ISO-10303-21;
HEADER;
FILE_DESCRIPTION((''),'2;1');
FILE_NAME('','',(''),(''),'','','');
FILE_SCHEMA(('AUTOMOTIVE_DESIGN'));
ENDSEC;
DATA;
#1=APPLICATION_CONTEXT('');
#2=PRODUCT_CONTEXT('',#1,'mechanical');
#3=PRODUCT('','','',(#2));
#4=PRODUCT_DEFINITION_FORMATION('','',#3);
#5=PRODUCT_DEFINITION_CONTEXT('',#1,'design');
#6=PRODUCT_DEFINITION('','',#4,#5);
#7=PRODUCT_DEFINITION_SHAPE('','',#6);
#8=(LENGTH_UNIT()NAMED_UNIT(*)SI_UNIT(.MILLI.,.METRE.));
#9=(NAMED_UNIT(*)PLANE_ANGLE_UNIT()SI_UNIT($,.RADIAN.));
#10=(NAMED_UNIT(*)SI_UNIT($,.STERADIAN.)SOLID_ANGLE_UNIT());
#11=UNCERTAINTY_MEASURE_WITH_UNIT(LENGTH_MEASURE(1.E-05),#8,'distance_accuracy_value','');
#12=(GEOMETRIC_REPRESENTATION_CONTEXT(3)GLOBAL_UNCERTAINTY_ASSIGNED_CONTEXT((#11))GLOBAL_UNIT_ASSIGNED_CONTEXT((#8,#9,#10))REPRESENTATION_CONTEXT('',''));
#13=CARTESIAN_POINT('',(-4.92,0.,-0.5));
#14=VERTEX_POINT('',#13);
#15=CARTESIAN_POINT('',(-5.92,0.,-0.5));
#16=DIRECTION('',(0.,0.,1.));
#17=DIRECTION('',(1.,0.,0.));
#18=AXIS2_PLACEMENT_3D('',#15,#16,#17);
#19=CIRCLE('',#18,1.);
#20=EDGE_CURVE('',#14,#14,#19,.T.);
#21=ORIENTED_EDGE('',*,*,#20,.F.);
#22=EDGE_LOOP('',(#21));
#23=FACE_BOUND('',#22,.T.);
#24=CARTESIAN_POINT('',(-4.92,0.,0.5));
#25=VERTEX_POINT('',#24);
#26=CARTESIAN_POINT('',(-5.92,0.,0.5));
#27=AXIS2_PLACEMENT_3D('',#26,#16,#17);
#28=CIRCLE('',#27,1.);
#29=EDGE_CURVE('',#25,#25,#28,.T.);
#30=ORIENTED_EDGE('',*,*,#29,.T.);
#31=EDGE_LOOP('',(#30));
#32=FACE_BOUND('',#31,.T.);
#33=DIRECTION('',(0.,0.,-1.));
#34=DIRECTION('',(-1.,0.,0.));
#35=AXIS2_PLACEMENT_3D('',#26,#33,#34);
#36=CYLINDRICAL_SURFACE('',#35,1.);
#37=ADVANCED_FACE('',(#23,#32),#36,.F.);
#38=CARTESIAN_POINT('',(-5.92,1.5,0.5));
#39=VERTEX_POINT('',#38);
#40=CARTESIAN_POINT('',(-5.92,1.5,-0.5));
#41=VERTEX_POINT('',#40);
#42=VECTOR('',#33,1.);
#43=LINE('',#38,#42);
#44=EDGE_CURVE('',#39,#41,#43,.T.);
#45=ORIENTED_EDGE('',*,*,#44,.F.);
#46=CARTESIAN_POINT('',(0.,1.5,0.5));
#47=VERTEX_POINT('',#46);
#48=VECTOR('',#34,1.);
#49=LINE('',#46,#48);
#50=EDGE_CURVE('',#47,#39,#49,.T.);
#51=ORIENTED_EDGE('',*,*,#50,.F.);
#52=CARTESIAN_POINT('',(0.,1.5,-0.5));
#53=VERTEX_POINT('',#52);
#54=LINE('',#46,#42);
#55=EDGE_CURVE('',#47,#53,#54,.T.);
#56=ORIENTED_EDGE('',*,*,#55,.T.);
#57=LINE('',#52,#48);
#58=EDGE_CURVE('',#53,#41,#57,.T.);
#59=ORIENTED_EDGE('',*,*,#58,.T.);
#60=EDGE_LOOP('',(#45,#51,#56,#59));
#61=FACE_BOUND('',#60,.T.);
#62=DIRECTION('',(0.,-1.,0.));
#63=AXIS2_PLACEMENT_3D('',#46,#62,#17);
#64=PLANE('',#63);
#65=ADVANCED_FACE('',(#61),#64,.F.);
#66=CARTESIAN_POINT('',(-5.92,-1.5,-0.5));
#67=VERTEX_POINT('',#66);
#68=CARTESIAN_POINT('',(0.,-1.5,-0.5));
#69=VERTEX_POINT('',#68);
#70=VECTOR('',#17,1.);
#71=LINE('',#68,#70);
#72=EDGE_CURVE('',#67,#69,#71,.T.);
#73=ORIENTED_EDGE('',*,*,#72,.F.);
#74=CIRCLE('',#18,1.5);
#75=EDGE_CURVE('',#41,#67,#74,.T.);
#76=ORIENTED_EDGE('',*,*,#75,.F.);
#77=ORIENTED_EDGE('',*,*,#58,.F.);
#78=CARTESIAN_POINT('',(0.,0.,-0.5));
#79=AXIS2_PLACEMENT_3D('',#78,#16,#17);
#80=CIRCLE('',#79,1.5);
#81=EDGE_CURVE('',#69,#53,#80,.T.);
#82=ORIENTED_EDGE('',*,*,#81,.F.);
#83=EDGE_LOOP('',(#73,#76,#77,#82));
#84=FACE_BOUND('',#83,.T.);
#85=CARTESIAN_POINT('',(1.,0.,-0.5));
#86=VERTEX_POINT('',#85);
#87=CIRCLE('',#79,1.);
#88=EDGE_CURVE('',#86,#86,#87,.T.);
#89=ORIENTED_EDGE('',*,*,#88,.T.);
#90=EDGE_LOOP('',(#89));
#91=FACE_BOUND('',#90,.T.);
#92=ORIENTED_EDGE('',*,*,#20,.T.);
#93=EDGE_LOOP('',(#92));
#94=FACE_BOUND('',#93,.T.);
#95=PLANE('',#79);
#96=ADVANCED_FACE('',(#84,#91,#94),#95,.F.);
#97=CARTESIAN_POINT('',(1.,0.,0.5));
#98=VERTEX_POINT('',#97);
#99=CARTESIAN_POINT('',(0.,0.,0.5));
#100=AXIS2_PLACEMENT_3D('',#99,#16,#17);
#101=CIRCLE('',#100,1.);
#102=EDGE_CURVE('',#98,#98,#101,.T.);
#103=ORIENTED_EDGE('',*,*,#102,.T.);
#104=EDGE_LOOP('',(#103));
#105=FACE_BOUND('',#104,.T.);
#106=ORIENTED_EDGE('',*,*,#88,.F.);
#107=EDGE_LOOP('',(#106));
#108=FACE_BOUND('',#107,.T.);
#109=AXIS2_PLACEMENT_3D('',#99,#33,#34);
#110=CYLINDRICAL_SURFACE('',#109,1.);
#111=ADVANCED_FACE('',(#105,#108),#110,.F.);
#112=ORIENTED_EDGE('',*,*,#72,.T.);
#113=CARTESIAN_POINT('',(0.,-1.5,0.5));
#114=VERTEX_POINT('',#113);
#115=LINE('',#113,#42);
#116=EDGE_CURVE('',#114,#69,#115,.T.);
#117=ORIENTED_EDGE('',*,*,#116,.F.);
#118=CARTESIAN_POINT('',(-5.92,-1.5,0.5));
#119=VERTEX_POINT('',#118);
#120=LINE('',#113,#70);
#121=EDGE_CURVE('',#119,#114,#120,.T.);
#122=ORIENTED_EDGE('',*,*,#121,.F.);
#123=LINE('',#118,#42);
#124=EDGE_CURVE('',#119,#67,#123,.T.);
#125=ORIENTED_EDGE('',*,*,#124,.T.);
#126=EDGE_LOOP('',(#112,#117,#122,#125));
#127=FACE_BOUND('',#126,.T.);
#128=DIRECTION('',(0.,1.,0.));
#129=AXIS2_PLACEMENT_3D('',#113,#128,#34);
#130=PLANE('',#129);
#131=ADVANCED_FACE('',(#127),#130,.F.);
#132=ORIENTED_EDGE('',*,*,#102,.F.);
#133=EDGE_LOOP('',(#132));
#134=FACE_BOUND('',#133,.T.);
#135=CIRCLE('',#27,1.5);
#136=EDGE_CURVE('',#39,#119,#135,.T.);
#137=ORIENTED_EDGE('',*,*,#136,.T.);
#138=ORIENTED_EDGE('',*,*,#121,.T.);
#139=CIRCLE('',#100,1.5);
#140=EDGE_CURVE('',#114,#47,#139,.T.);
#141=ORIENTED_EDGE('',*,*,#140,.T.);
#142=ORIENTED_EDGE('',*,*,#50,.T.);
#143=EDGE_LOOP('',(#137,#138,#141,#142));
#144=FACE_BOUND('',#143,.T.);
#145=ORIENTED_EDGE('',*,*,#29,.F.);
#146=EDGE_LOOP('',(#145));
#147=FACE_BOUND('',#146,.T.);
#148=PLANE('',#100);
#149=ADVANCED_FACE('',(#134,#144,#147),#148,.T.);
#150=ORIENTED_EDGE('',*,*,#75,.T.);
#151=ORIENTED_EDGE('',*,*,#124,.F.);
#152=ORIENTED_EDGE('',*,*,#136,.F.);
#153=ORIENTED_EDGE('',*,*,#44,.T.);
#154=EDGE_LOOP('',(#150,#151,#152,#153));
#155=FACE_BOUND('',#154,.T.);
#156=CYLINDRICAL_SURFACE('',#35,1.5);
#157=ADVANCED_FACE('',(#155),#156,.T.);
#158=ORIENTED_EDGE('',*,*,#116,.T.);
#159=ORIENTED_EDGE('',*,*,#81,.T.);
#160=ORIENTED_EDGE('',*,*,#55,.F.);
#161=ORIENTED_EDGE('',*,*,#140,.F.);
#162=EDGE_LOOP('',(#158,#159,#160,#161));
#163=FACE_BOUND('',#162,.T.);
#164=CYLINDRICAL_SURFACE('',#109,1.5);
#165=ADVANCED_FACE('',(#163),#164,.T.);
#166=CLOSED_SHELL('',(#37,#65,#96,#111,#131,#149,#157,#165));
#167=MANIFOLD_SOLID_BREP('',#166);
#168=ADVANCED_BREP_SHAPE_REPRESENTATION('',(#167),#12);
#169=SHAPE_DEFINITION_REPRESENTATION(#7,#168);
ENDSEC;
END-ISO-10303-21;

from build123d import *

# Parameters (mm, degrees)
SKETCH1_R           = 1
BOSS_EXTRUDE1_DEPTH = 0.5


with BuildPart() as part:
    # Sketch1 → Boss-Extrude1 (new, symmetric)
    with BuildSketch(Plane.XY):
        with BuildLine():
            Line((0, -1.5), (-5.92, -1.5))
            ThreePointArc((-5.92, -1.5), (-7.42, 0), (-5.92, 1.5))
            Line((-5.92, 1.5), (0, 1.5))
            ThreePointArc((0, 1.5), (1.5, 0), (0, -1.5))
        make_face()
        with Locations((-5.92, 0)):
            Circle(SKETCH1_R, mode=Mode.SUBTRACT)
        Circle(SKETCH1_R, mode=Mode.SUBTRACT)
    extrude(amount=BOSS_EXTRUDE1_DEPTH, both=True)


solid = part.part
